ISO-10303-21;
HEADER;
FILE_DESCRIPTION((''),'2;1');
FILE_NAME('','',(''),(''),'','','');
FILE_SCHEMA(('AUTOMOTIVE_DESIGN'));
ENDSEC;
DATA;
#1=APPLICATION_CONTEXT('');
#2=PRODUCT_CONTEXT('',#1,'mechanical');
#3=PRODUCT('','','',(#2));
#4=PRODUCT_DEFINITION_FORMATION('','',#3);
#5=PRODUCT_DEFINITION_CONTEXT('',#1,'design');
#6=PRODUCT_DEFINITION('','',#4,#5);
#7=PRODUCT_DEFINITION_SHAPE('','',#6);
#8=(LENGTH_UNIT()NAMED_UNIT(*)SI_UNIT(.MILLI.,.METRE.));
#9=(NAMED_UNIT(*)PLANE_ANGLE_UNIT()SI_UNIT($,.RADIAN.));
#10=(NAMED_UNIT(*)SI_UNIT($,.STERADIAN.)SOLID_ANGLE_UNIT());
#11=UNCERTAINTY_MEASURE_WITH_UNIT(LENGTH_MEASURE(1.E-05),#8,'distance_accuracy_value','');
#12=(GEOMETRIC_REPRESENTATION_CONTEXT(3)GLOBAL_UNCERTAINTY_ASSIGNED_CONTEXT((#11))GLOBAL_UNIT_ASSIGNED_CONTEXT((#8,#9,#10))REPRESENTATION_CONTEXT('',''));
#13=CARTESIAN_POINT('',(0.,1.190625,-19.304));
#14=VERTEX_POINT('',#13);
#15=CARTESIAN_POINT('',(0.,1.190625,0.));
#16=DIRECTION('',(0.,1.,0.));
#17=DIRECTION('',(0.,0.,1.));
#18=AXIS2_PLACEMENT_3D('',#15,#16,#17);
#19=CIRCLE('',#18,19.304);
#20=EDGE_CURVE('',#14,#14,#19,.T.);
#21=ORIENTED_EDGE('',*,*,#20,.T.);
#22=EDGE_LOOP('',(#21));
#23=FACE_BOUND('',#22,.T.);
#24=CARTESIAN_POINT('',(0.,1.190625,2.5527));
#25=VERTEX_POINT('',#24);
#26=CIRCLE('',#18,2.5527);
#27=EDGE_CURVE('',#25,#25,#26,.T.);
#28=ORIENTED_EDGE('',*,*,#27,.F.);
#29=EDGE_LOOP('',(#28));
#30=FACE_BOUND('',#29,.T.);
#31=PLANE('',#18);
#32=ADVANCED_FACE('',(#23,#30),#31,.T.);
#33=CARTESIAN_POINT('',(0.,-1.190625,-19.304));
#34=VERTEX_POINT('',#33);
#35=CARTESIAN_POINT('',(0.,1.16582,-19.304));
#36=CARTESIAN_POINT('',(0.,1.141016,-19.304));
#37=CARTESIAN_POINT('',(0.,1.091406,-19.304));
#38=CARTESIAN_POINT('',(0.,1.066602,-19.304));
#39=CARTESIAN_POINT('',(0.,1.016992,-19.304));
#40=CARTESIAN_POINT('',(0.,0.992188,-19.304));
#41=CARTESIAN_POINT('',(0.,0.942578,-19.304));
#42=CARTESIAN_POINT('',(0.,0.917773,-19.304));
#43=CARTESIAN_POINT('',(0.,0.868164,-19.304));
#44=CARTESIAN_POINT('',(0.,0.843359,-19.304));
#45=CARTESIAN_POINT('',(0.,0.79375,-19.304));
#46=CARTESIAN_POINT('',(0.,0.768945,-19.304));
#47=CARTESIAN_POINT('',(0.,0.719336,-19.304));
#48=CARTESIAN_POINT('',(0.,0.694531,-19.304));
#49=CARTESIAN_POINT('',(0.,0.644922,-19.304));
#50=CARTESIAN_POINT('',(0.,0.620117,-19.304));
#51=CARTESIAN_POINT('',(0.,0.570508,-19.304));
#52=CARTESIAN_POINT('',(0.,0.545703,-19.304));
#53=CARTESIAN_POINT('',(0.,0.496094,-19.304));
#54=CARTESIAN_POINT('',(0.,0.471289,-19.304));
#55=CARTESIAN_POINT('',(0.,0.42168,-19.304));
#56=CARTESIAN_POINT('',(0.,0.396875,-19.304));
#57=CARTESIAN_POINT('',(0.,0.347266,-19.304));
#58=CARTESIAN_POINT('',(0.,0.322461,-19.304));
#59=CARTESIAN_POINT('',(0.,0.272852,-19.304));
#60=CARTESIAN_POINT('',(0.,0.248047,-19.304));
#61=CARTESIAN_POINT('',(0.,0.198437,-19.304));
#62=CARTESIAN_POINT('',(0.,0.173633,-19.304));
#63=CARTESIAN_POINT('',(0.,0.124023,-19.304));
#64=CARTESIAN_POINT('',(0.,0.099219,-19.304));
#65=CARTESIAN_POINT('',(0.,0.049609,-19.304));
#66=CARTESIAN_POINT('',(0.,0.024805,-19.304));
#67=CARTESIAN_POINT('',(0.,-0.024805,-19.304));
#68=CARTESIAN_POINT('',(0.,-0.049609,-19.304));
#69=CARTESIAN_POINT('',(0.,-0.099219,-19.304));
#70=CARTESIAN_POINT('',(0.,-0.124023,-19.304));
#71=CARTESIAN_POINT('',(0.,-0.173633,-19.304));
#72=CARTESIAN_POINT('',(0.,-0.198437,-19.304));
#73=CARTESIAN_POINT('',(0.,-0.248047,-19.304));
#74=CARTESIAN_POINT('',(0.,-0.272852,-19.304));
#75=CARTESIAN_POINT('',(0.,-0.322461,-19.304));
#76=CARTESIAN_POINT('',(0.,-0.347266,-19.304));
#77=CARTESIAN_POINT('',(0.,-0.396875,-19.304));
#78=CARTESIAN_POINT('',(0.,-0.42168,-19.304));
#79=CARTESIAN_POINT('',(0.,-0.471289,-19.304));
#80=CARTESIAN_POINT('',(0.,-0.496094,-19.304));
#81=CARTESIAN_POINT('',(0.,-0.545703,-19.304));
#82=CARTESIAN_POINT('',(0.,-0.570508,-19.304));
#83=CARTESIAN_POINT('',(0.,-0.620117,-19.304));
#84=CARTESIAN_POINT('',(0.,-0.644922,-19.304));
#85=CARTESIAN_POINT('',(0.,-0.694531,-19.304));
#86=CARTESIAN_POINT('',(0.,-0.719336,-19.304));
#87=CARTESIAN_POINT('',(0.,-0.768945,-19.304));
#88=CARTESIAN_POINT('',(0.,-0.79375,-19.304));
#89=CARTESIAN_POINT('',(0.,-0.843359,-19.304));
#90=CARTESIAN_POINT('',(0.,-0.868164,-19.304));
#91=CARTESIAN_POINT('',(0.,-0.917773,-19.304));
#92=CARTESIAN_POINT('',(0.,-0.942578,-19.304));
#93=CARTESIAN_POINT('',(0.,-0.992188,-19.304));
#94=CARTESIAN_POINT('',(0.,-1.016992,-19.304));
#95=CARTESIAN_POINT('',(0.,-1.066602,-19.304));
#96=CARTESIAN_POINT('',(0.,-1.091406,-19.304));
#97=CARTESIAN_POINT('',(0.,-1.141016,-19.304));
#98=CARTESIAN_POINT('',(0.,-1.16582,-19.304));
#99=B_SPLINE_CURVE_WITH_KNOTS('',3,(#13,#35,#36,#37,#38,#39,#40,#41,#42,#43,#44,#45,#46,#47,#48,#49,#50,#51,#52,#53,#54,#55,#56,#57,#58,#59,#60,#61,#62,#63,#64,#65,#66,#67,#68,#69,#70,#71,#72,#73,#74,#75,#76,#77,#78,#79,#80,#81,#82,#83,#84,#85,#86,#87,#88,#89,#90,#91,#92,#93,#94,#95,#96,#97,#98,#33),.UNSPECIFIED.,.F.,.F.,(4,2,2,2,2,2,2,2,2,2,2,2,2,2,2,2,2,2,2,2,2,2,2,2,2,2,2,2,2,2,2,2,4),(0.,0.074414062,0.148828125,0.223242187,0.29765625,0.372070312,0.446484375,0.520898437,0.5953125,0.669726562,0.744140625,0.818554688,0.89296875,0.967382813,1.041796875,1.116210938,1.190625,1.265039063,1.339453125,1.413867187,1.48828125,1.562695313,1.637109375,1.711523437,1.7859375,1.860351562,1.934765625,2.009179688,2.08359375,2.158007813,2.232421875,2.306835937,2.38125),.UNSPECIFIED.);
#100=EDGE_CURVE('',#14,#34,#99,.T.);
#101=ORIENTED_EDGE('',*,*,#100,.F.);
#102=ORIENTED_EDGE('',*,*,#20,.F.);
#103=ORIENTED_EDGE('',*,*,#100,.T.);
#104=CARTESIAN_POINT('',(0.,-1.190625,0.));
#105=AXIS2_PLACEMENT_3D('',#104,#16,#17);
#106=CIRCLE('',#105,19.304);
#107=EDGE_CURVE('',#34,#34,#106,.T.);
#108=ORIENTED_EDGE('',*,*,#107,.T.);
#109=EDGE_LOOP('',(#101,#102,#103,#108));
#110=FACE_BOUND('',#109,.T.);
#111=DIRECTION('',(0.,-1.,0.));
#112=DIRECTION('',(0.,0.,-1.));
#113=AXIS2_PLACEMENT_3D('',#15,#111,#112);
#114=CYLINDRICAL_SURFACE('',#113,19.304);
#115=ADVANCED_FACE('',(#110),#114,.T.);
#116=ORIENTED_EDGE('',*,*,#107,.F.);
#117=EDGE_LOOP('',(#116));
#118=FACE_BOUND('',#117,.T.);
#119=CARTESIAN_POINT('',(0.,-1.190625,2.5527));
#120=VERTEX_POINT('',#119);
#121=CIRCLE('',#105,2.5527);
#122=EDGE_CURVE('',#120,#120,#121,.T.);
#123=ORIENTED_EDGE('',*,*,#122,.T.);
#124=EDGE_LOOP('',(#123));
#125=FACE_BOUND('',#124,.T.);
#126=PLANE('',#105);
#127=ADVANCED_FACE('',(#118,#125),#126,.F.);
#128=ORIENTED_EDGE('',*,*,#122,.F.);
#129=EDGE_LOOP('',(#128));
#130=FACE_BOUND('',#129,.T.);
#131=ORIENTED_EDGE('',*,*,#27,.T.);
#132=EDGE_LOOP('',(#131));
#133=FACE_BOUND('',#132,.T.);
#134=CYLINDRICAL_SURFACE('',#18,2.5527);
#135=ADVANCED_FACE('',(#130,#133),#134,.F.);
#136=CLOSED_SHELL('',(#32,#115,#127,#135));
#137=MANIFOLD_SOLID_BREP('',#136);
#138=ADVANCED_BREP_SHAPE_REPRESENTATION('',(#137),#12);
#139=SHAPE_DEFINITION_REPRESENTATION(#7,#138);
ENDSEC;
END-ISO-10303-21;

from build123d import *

# Parameters (mm, degrees)
SKETCH1_R              = 19.304
BOSS_EXTRUDE1_DEPTH    = 1.190625
F_10_CLEARANCE_HOLE1_D = 5.1054


with BuildPart() as part:
    # Sketch1 → Boss-Extrude1 (new, symmetric)
    with BuildSketch(Plane(origin=(0, 0, 0), x_dir=(1, 0, 0), z_dir=(0, 1, 0))):
        with Locations(Location((0, 0, 0), (0, 0, 90))):
            Circle(SKETCH1_R)
    extrude(amount=BOSS_EXTRUDE1_DEPTH, both=True)

    # #10 Clearance Hole1 (through all)
    with Locations(Plane(origin=(0, 1.190625, 0), x_dir=(1, 0, 0), z_dir=(0, 1, 0))):
        with Locations((0, 0)):
            Hole(F_10_CLEARANCE_HOLE1_D / 2)


solid = part.part
